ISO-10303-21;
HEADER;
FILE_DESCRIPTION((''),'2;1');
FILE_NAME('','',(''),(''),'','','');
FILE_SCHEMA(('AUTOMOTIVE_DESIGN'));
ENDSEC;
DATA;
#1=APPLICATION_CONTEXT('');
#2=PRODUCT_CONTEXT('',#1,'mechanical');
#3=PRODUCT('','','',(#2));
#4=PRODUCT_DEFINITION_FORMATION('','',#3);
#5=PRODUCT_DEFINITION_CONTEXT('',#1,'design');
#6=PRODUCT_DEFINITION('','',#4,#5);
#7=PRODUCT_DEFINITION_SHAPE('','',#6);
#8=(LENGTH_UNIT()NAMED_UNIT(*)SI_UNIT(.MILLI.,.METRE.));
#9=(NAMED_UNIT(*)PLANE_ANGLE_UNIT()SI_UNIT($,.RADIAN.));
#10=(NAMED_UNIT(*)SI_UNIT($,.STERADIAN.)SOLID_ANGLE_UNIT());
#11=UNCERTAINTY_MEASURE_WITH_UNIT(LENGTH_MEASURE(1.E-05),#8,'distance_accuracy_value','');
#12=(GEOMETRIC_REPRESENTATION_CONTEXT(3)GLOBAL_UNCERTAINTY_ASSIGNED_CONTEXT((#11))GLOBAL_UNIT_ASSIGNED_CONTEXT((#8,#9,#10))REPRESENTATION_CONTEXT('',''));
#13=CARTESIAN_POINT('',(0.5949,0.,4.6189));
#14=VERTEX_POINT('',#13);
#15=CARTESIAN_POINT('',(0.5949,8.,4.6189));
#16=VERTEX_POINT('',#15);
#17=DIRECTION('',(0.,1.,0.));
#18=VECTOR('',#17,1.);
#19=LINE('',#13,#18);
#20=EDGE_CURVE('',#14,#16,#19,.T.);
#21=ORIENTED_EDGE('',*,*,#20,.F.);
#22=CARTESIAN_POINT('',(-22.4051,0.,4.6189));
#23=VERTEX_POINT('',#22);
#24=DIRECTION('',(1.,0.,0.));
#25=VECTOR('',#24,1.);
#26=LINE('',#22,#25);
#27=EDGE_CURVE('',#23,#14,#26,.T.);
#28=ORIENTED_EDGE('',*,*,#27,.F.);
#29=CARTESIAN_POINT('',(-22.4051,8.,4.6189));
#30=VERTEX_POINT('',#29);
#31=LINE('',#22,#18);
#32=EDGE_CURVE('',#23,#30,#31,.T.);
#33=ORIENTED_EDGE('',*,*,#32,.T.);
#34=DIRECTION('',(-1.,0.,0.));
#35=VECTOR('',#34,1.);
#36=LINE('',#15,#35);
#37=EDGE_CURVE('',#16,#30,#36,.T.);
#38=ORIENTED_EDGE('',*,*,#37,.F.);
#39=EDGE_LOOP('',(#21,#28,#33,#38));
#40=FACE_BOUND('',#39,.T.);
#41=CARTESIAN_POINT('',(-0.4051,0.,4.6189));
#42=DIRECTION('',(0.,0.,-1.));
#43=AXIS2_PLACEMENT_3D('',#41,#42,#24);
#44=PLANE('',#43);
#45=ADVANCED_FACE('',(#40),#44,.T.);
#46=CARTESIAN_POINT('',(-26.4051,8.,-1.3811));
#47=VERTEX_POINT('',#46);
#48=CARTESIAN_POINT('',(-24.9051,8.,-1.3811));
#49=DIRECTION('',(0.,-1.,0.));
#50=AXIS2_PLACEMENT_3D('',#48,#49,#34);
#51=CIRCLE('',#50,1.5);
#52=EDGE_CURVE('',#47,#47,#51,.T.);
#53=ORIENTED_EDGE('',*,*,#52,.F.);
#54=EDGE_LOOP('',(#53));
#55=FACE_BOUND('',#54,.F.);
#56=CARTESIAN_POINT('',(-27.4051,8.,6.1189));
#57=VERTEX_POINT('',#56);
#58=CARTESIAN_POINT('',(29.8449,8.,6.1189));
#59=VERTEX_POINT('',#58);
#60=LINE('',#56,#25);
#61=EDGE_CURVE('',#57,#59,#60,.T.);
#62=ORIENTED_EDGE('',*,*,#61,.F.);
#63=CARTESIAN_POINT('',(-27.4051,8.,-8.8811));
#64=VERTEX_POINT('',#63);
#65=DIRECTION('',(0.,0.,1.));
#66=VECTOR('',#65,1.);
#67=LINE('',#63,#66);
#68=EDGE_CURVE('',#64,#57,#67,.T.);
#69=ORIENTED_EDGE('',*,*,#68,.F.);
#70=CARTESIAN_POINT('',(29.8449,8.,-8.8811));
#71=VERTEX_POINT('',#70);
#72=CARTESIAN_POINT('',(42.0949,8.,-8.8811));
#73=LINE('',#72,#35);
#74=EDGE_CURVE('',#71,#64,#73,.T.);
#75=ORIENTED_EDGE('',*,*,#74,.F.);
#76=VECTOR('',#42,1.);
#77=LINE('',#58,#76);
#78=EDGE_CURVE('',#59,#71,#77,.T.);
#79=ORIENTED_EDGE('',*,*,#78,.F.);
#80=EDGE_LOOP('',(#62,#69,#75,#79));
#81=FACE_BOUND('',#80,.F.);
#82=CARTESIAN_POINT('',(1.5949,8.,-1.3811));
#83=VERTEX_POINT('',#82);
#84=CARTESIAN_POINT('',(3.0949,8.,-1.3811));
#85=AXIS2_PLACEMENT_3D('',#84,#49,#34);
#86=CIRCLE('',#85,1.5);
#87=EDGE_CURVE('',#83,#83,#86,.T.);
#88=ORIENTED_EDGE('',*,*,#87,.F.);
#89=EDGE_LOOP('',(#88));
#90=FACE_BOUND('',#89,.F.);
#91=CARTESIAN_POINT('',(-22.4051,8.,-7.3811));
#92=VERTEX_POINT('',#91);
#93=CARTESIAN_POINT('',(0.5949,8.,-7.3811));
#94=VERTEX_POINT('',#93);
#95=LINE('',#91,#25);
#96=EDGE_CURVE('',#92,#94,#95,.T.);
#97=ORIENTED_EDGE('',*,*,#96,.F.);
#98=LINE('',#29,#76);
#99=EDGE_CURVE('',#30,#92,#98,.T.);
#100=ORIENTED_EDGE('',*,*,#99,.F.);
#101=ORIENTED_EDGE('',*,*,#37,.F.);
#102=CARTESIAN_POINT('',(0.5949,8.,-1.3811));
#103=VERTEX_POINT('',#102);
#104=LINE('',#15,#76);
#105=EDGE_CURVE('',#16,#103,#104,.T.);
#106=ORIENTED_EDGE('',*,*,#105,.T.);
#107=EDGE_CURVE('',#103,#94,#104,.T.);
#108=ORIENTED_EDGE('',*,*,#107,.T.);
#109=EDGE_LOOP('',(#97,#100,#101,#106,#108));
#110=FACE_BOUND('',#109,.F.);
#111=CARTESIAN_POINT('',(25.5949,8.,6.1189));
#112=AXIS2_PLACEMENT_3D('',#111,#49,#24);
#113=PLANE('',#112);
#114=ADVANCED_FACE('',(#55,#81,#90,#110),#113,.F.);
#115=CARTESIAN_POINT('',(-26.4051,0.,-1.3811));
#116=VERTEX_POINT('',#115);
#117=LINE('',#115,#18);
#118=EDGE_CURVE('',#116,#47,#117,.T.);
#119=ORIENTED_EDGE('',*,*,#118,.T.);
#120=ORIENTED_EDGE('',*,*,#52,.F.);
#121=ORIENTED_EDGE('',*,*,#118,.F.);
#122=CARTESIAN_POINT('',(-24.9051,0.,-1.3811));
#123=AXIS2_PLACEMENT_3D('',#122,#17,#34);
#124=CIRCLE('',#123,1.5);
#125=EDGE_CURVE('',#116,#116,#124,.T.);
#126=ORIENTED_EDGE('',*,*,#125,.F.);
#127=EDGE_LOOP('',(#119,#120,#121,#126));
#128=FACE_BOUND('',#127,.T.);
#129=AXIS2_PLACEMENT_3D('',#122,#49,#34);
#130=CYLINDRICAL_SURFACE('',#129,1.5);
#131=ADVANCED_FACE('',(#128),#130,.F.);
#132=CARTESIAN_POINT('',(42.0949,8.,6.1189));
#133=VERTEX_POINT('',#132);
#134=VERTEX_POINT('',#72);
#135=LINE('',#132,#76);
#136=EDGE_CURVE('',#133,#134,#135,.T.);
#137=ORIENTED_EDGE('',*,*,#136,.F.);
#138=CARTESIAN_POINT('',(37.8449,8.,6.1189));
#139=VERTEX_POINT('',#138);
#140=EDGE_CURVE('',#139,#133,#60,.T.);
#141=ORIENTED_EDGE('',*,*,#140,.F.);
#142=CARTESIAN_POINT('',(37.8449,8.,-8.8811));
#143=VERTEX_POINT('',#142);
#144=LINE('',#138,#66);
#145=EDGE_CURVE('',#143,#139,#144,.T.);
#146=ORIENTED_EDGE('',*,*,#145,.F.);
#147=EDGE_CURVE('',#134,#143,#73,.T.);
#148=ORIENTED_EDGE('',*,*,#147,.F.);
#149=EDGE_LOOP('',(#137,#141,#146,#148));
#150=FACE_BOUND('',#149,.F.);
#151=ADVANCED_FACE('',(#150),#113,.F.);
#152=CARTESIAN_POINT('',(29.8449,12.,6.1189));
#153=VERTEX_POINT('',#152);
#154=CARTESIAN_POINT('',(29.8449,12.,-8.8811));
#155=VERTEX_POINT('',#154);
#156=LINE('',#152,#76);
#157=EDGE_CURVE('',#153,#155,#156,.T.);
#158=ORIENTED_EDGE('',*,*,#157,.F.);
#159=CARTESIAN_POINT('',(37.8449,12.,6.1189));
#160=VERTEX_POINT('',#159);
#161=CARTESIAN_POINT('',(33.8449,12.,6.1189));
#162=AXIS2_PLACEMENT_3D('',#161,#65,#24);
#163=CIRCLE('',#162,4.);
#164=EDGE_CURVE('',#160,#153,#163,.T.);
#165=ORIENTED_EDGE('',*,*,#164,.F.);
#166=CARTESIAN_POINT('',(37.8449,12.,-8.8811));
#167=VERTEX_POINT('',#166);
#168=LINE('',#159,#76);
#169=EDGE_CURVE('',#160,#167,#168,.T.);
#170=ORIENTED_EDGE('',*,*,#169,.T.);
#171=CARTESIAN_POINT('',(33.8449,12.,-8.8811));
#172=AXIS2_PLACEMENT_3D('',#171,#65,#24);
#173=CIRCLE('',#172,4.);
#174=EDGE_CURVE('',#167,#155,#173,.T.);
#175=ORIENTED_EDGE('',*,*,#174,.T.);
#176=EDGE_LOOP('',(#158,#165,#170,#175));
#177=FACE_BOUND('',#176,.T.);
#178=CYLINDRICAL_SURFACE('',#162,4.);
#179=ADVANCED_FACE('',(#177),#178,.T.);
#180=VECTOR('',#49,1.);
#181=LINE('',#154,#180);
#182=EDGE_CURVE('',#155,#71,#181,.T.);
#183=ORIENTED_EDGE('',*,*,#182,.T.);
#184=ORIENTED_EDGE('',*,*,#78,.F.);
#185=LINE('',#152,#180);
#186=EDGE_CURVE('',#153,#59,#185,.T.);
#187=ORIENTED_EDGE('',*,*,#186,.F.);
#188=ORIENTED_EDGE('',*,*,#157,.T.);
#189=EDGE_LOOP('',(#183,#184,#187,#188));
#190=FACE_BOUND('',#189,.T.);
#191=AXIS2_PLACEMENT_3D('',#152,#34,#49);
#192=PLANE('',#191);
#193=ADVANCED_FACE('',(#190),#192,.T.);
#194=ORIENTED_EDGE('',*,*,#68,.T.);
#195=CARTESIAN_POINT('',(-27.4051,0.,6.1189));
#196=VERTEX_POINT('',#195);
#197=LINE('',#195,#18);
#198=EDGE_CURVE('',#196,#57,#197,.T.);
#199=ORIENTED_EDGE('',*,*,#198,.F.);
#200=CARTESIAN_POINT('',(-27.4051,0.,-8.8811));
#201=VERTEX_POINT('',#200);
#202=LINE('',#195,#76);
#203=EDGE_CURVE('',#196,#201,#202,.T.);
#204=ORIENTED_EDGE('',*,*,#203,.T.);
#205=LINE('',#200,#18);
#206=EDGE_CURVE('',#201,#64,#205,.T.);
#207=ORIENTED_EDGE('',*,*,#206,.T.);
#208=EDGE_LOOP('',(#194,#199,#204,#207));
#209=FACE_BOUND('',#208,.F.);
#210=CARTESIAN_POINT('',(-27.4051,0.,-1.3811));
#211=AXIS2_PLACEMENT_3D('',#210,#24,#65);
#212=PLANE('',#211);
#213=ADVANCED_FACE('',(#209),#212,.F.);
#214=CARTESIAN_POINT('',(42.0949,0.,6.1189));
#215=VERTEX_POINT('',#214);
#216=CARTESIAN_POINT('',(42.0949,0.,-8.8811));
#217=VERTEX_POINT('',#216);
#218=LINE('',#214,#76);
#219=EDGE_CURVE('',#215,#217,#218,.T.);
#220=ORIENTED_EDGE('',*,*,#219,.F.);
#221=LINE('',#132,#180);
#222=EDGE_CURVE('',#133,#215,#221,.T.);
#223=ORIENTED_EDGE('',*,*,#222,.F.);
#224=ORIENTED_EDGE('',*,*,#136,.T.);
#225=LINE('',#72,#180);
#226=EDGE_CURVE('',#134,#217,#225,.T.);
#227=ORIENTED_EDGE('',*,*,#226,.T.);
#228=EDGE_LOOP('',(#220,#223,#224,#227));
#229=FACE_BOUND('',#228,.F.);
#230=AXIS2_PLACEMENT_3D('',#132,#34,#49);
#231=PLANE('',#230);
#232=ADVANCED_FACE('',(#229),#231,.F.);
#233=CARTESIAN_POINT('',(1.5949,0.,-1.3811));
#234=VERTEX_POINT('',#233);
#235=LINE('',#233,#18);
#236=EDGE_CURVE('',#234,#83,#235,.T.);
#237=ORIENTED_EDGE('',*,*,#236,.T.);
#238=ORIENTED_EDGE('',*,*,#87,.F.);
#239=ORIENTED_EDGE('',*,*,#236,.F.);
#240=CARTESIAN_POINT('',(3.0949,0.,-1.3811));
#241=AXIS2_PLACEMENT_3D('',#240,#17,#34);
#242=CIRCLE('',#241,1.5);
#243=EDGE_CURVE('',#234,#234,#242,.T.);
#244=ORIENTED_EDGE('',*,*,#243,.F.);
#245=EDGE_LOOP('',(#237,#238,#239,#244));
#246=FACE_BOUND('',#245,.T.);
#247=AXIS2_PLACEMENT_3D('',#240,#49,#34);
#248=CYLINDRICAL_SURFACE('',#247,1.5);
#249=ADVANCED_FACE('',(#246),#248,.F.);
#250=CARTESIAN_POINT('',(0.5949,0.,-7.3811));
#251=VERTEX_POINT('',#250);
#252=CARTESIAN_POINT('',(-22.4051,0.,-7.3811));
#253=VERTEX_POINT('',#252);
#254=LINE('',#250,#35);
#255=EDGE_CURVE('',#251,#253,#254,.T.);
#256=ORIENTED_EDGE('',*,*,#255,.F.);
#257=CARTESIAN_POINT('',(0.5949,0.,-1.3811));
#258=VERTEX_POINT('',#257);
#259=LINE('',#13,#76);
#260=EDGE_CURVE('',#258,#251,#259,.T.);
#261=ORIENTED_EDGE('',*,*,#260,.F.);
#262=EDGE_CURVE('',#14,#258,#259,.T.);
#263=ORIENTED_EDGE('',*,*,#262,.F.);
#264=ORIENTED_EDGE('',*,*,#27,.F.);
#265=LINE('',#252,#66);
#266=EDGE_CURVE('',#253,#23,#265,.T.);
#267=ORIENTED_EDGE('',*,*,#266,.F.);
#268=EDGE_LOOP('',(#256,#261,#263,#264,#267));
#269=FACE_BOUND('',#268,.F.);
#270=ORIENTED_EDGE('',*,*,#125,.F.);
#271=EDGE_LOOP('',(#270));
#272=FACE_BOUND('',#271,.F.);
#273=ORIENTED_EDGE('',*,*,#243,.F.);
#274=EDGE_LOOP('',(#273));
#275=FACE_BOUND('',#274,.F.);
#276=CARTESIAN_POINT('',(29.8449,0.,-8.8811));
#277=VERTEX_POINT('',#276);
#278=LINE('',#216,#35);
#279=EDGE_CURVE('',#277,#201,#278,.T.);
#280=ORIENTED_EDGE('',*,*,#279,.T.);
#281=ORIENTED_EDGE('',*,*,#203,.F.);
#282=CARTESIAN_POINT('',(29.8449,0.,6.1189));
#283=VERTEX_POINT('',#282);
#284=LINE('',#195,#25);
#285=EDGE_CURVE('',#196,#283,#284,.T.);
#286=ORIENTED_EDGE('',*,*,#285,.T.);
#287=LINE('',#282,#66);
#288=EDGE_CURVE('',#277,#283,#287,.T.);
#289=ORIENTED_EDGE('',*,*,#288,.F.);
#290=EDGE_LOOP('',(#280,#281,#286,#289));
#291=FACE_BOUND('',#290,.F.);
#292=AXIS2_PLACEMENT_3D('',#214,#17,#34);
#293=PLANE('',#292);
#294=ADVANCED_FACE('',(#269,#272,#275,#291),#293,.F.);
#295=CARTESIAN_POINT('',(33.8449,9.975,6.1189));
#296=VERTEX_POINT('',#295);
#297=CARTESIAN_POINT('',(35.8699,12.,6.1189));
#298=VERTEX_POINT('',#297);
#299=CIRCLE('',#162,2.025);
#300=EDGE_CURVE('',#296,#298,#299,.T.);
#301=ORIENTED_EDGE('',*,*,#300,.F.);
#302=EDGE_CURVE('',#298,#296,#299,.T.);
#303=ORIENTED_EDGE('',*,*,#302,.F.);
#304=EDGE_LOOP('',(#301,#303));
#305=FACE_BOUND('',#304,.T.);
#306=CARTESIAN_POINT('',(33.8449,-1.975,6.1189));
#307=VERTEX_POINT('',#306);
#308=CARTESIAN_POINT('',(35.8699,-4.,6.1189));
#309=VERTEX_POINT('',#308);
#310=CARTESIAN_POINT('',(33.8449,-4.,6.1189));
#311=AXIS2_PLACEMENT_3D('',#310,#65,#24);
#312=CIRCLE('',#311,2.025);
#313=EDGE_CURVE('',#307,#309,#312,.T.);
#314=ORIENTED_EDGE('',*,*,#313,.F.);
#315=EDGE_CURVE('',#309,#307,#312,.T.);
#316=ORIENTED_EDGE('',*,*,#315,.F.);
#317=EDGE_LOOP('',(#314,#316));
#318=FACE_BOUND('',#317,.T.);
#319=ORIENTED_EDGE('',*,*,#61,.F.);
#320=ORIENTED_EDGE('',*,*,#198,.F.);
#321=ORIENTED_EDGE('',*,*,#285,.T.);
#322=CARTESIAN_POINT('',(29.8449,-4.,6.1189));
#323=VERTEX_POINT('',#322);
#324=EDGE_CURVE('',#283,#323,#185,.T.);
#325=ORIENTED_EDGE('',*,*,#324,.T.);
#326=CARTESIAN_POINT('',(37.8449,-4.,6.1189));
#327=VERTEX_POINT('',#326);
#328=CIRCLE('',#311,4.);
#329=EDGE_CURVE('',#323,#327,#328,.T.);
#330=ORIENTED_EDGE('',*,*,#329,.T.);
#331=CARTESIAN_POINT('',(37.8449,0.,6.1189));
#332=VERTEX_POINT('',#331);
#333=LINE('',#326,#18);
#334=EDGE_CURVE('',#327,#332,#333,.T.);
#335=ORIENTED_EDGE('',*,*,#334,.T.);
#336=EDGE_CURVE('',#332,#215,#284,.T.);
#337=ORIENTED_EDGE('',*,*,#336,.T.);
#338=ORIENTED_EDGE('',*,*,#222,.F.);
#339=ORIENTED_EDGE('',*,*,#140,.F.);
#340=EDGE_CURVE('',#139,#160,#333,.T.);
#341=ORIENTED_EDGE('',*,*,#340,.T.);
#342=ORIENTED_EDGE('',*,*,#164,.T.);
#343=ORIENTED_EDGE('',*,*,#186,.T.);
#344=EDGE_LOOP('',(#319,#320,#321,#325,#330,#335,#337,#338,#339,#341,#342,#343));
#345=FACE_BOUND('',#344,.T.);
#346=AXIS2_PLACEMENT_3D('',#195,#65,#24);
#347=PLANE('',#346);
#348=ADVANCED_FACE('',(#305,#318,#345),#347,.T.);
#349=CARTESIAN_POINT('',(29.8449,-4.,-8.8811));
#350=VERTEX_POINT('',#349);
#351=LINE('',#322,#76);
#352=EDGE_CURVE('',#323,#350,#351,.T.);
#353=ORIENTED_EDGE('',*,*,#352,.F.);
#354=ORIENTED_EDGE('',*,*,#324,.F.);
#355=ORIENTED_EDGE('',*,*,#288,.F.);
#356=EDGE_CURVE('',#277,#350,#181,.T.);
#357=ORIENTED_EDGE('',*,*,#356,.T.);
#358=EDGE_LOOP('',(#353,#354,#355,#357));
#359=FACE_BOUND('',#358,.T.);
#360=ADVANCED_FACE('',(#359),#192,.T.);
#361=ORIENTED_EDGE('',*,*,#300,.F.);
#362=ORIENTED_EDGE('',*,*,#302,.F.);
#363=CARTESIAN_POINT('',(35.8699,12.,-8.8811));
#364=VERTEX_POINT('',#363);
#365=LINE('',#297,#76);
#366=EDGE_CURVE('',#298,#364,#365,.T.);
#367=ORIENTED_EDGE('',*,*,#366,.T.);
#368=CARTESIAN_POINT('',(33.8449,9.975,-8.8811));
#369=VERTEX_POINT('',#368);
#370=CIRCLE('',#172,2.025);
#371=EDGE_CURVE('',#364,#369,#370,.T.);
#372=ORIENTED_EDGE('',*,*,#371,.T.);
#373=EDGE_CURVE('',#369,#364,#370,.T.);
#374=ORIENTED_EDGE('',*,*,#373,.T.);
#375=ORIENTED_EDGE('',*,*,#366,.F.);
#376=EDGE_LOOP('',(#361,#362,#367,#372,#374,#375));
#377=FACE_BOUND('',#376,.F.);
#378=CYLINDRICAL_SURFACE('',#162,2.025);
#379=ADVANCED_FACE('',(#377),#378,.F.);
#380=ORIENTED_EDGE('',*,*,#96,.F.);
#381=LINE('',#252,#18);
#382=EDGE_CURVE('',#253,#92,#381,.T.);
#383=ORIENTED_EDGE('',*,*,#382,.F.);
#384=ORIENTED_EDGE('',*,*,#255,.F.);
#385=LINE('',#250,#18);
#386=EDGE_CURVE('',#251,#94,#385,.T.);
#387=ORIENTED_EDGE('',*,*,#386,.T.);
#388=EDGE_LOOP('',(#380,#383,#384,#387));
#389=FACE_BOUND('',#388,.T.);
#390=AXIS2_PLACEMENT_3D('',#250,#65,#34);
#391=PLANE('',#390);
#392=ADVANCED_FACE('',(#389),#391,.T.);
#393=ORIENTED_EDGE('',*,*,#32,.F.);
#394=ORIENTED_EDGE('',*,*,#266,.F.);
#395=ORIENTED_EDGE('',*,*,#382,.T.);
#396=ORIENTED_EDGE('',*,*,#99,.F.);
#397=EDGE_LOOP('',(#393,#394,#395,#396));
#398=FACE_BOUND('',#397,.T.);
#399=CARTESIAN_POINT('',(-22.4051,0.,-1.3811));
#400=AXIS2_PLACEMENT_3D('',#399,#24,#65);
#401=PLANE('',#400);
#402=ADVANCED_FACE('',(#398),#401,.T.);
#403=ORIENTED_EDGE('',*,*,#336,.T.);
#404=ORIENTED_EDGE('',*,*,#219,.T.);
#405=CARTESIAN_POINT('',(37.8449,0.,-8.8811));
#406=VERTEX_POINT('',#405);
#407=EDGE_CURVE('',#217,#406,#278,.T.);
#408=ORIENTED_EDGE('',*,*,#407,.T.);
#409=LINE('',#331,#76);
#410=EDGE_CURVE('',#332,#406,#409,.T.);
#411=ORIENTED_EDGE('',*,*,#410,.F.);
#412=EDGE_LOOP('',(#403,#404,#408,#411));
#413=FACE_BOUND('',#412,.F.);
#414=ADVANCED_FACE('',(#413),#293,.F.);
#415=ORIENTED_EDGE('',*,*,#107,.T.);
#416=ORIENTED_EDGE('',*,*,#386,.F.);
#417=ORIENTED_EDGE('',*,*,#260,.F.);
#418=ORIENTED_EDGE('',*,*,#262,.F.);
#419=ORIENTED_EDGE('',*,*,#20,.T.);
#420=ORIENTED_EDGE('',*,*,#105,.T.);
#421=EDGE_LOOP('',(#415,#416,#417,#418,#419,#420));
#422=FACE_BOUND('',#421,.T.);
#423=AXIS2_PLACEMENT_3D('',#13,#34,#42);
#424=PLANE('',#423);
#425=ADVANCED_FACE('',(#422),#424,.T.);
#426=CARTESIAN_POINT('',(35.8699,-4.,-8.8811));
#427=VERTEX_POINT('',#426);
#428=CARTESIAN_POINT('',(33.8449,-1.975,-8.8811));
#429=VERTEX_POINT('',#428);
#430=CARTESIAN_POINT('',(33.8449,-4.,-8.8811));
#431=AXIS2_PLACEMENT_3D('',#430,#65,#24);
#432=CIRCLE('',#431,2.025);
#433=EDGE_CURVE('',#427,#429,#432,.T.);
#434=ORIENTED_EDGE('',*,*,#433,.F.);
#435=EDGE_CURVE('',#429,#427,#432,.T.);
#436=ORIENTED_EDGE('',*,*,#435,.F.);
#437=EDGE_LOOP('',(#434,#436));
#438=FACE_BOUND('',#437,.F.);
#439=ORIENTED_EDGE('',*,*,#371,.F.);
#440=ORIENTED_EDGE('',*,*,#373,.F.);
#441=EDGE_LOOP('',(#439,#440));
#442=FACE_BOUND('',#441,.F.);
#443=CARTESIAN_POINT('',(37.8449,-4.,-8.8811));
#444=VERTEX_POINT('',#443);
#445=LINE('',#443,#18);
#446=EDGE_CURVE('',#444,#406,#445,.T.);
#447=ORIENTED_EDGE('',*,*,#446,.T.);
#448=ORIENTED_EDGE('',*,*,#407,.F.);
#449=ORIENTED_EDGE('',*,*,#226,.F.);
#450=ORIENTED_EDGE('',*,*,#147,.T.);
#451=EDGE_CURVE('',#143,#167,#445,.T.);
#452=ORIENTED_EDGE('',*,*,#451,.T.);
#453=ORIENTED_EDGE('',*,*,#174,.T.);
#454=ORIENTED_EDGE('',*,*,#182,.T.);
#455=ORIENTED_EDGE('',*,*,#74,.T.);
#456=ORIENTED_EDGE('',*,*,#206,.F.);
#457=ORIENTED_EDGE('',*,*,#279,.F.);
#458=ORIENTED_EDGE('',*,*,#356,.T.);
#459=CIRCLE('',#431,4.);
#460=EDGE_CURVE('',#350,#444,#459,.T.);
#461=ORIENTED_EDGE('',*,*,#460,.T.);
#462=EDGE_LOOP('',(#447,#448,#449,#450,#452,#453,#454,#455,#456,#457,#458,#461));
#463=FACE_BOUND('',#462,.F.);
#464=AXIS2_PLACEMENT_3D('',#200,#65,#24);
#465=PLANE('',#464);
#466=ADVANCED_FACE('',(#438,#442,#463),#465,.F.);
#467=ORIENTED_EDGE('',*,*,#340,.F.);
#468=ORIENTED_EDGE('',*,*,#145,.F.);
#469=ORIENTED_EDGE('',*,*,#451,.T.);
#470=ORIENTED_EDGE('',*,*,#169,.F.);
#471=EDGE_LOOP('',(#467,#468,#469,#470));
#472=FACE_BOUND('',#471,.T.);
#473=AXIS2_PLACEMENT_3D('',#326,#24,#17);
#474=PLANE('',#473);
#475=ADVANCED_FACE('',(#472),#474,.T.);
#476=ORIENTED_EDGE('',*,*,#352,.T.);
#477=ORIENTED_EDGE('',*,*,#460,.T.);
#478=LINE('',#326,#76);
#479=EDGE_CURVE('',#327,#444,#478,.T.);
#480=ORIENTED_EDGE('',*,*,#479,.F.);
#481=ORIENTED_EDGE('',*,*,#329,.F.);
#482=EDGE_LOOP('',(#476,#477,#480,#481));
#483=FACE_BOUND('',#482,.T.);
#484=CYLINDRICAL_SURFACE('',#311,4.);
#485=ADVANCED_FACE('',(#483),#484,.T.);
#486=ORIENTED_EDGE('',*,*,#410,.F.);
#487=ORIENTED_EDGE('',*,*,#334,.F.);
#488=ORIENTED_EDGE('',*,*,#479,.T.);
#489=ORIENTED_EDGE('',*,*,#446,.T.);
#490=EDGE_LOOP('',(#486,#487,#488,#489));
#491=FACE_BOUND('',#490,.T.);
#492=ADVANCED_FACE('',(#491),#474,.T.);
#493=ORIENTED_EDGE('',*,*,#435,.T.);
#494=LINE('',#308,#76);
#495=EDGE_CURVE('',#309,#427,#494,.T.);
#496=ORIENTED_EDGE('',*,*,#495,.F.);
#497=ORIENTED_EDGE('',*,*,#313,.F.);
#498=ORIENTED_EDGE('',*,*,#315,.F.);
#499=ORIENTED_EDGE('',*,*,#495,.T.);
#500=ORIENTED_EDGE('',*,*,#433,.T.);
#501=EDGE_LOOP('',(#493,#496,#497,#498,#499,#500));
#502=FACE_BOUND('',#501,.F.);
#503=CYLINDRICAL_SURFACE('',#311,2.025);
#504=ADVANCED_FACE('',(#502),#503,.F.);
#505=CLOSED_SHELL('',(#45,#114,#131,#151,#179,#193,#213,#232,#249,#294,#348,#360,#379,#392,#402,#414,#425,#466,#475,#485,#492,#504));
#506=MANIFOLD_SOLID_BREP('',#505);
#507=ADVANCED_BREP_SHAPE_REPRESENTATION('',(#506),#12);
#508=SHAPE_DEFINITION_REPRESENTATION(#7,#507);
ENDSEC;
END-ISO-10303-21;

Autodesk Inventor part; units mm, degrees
ref_plane "YZ Plane" through (0, 0, 0) normal (1, 0, 0) x (0, 1, 0)
ref_plane "XZ Plane" through (0, 0, 0) normal (0, 1, 0) x (-1, 0, 0)
ref_plane "XY Plane" through (0, 0, 0) normal (0, 0, 1) x (1, 0, 0)
sketch "Sketch1" plane through (0, 0, 0) normal (0, 1, 0) x (-1, 0, 0)
  line L0 (-25.5949, 6.1189) -> (0.4051, 6.1189)
  line L1 (-25.5949, 6.1189) -> (0.4051, 6.1189)
  line L2 (0.4051, 6.1189) -> (0.4051, -8.8811)
  line L3 (0.4051, -8.8811) -> (-25.5949, -8.8811)
  line L4 (-25.5949, -8.8811) -> (-25.5949, 6.1189)
  line L5 (0.4051, -8.8811) -> (27.4051, -8.8811)
  line L6 (27.4051, -8.8811) -> (27.4051, 6.1189)
  line L7 (27.4051, 6.1189) -> (0.4051, 6.1189)
  line L8 (0.4051, 6.1189) -> (0.4051, -8.8811)
  line L9 (22.4051, -1.3811) -> (22.4051, -7.3811)
  line L10 (22.4051, -7.3811) -> (22.4051, 4.6189)
  line L11 (22.4051, 4.6189) -> (-0.5949, 4.6189)
  line L12 (-0.5949, 4.6189) -> (-0.5949, -7.3811)
  line L13 (-0.5949, -7.3811) -> (22.4051, -7.3811)
  line L14 (22.4051, -1.3811) -> (27.4051, -1.3811)
  circle A0 centre (24.9051, -1.3811) radius 1.5
  line L15 (-0.5949, -1.3811) -> (-5.5949, -1.3811)
  circle A1 centre (-3.0949, -1.3811) radius 1.5
  point P0 (0, 0)
  dimension "d0" = 15
  dimension "d1" = 27
  dimension "d2" = 5
  dimension "d3" = 6
  dimension "d4" = 12
  dimension "d5" = 23
  dimension "d6" = 5
  dimension "d7" = 3
  dimension "d8" = 5
  dimension "d9" = 3
extrude "Extrusion1" add sketch "Sketch1" along normal blind 8 contours L0 L2 L11 L12 L13 L3 L4 | L7 L6 L14 A0 L10 L11 L2 | L2 L13 L9 L14 A0 L6 L5
sketch "Sketch4" plane through (-27.4051, 0, 6.1189) normal (0, 0, 1) x (1, 0, 0)
  line L0 (53, 8) -> (69.5, 8)
  line L1 (69.5, 8) -> (69.5, 0)
  line L2 (69.5, 0) -> (53, 0)
  line L3 (53, 0) -> (53, 8)
  point P0 (27.4051, 0)
  dimension "d24" = 16.5
extrude "Extrusion3" add sketch "Sketch4" against normal up to surface (15 mm away)
sketch "Sketch5" plane through (-27.4051, 0, 6.1189) normal (0, 0, 1) x (1, 0, 0)
  line L0 (69.5, 0) -> (69.5, 8) projected
  line L1 (69.5, 0) -> (69.5, 8) projected
  line L2 (61.25, 4) -> (61.25, 12)
  line L3 (61.25, 12) -> (61.25, -4)
  circle A0 centre (61.25, 12) radius 2.025
  circle A1 centre (61.25, -4) radius 2.025
  circle A2 centre (61.25, 12) radius 4
  circle A3 centre (61.25, -4) radius 4
  line L4 (57.25, 12) -> (57.25, -4)
  line L5 (65.25, -4) -> (65.25, 12)
  point P0 (27.4051, 0)
  point P1 (69.5, 4)
  point P2 (69.5, 4)
  dimension "d27" = 8.25
  dimension "d28" = 8
  dimension "d29" = 16
  dimension "d30" = 4.05
  dimension "d31" = 4.05
  dimension "d32" = 8
  dimension "d33" = 8
extrude "Extrusion4" add sketch "Sketch5" against normal up to surface (15 mm away)
properties part number "servo_holder_3DPrint"
